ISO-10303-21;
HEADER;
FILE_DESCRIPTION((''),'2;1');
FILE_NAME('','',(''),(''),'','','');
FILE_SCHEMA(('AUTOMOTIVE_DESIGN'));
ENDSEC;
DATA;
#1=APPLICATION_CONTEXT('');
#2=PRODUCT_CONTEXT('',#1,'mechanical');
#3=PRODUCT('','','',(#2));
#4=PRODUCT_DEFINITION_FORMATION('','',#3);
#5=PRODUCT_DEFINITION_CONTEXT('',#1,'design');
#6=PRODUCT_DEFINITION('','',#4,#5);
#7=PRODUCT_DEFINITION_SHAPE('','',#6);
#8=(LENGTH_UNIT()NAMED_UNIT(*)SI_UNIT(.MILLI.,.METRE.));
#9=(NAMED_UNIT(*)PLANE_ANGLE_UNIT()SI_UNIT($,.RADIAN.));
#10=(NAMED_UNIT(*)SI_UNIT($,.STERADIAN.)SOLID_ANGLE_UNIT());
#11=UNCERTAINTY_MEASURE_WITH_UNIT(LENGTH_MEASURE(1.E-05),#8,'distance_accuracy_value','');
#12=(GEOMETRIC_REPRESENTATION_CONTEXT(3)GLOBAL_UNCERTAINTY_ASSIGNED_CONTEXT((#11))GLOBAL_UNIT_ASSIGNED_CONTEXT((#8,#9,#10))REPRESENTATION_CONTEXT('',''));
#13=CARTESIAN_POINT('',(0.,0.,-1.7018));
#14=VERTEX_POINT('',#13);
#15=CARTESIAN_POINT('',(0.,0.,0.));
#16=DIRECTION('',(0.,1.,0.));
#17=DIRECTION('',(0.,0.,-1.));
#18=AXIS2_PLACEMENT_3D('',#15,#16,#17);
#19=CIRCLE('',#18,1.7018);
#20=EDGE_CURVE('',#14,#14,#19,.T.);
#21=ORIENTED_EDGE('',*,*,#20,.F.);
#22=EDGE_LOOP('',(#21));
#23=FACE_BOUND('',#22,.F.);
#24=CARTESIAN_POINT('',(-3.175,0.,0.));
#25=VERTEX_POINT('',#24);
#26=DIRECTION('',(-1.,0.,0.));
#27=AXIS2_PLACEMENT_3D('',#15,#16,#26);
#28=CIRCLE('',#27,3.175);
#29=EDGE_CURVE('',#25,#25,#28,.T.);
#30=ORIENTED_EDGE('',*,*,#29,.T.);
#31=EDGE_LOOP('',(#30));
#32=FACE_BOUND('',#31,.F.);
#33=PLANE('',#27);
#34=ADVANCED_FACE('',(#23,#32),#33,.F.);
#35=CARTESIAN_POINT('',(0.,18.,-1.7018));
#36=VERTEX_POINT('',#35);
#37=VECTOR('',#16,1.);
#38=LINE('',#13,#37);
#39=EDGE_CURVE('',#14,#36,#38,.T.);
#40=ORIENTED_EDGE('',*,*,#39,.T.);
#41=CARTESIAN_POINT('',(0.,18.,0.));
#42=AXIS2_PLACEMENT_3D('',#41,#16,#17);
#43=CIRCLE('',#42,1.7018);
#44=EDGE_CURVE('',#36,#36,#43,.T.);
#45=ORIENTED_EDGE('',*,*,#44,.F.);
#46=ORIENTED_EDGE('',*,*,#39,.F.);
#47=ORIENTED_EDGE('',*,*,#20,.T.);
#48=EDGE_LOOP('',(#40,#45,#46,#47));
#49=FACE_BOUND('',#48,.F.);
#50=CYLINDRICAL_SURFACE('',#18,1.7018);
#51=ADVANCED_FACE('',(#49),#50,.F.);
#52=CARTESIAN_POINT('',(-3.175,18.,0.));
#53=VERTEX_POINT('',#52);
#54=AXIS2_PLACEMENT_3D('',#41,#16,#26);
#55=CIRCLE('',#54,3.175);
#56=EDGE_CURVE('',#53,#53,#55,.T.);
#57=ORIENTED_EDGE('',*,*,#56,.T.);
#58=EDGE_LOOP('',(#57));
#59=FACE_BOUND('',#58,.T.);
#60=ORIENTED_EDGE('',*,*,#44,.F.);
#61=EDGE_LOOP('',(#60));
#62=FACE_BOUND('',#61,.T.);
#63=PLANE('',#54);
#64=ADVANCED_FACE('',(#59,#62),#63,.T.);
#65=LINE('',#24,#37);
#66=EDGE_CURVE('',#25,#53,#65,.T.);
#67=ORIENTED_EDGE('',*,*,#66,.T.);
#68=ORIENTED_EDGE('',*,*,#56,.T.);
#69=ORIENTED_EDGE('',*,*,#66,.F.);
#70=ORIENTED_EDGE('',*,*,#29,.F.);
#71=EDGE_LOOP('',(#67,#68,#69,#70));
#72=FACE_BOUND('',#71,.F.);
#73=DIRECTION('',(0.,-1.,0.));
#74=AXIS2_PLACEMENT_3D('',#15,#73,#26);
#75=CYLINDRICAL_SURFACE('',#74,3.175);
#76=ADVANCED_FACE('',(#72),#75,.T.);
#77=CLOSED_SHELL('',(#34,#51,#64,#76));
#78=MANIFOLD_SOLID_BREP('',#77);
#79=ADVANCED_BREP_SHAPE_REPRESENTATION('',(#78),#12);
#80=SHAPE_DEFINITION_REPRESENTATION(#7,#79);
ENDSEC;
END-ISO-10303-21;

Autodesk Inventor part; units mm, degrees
ref_plane "YZ Plane" through (0, 0, 0) normal (1, 0, 0) x (0, 1, 0)
ref_plane "XZ Plane" through (0, 0, 0) normal (0, 1, 0) x (-1, 0, 0)
ref_plane "XY Plane" through (0, 0, 0) normal (0, 0, 1) x (1, 0, 0)
sketch "Sketch1" plane through (0, 0, 0) normal (0, 1, 0) x (-1, 0, 0)
  circle A0 centre (0, 0) radius 3.175
  circle A1 centre (0, 0) radius 1.5
  dimension "d0" = 6.35
  dimension "d1" = 3
extrude "Extrusion1" add sketch "Sketch1" along normal blind 18 contours A0 | A1
hole "Hole1" at (0, 0, 0) direction (0, 1, 0) diameter 3.4036 end through all clearance for "Socket Head Cap Screw" size "M3" standard "Ansi Metric M Profile"
properties part number "Drive Frame Spacer" material "Aluminum 6061"
